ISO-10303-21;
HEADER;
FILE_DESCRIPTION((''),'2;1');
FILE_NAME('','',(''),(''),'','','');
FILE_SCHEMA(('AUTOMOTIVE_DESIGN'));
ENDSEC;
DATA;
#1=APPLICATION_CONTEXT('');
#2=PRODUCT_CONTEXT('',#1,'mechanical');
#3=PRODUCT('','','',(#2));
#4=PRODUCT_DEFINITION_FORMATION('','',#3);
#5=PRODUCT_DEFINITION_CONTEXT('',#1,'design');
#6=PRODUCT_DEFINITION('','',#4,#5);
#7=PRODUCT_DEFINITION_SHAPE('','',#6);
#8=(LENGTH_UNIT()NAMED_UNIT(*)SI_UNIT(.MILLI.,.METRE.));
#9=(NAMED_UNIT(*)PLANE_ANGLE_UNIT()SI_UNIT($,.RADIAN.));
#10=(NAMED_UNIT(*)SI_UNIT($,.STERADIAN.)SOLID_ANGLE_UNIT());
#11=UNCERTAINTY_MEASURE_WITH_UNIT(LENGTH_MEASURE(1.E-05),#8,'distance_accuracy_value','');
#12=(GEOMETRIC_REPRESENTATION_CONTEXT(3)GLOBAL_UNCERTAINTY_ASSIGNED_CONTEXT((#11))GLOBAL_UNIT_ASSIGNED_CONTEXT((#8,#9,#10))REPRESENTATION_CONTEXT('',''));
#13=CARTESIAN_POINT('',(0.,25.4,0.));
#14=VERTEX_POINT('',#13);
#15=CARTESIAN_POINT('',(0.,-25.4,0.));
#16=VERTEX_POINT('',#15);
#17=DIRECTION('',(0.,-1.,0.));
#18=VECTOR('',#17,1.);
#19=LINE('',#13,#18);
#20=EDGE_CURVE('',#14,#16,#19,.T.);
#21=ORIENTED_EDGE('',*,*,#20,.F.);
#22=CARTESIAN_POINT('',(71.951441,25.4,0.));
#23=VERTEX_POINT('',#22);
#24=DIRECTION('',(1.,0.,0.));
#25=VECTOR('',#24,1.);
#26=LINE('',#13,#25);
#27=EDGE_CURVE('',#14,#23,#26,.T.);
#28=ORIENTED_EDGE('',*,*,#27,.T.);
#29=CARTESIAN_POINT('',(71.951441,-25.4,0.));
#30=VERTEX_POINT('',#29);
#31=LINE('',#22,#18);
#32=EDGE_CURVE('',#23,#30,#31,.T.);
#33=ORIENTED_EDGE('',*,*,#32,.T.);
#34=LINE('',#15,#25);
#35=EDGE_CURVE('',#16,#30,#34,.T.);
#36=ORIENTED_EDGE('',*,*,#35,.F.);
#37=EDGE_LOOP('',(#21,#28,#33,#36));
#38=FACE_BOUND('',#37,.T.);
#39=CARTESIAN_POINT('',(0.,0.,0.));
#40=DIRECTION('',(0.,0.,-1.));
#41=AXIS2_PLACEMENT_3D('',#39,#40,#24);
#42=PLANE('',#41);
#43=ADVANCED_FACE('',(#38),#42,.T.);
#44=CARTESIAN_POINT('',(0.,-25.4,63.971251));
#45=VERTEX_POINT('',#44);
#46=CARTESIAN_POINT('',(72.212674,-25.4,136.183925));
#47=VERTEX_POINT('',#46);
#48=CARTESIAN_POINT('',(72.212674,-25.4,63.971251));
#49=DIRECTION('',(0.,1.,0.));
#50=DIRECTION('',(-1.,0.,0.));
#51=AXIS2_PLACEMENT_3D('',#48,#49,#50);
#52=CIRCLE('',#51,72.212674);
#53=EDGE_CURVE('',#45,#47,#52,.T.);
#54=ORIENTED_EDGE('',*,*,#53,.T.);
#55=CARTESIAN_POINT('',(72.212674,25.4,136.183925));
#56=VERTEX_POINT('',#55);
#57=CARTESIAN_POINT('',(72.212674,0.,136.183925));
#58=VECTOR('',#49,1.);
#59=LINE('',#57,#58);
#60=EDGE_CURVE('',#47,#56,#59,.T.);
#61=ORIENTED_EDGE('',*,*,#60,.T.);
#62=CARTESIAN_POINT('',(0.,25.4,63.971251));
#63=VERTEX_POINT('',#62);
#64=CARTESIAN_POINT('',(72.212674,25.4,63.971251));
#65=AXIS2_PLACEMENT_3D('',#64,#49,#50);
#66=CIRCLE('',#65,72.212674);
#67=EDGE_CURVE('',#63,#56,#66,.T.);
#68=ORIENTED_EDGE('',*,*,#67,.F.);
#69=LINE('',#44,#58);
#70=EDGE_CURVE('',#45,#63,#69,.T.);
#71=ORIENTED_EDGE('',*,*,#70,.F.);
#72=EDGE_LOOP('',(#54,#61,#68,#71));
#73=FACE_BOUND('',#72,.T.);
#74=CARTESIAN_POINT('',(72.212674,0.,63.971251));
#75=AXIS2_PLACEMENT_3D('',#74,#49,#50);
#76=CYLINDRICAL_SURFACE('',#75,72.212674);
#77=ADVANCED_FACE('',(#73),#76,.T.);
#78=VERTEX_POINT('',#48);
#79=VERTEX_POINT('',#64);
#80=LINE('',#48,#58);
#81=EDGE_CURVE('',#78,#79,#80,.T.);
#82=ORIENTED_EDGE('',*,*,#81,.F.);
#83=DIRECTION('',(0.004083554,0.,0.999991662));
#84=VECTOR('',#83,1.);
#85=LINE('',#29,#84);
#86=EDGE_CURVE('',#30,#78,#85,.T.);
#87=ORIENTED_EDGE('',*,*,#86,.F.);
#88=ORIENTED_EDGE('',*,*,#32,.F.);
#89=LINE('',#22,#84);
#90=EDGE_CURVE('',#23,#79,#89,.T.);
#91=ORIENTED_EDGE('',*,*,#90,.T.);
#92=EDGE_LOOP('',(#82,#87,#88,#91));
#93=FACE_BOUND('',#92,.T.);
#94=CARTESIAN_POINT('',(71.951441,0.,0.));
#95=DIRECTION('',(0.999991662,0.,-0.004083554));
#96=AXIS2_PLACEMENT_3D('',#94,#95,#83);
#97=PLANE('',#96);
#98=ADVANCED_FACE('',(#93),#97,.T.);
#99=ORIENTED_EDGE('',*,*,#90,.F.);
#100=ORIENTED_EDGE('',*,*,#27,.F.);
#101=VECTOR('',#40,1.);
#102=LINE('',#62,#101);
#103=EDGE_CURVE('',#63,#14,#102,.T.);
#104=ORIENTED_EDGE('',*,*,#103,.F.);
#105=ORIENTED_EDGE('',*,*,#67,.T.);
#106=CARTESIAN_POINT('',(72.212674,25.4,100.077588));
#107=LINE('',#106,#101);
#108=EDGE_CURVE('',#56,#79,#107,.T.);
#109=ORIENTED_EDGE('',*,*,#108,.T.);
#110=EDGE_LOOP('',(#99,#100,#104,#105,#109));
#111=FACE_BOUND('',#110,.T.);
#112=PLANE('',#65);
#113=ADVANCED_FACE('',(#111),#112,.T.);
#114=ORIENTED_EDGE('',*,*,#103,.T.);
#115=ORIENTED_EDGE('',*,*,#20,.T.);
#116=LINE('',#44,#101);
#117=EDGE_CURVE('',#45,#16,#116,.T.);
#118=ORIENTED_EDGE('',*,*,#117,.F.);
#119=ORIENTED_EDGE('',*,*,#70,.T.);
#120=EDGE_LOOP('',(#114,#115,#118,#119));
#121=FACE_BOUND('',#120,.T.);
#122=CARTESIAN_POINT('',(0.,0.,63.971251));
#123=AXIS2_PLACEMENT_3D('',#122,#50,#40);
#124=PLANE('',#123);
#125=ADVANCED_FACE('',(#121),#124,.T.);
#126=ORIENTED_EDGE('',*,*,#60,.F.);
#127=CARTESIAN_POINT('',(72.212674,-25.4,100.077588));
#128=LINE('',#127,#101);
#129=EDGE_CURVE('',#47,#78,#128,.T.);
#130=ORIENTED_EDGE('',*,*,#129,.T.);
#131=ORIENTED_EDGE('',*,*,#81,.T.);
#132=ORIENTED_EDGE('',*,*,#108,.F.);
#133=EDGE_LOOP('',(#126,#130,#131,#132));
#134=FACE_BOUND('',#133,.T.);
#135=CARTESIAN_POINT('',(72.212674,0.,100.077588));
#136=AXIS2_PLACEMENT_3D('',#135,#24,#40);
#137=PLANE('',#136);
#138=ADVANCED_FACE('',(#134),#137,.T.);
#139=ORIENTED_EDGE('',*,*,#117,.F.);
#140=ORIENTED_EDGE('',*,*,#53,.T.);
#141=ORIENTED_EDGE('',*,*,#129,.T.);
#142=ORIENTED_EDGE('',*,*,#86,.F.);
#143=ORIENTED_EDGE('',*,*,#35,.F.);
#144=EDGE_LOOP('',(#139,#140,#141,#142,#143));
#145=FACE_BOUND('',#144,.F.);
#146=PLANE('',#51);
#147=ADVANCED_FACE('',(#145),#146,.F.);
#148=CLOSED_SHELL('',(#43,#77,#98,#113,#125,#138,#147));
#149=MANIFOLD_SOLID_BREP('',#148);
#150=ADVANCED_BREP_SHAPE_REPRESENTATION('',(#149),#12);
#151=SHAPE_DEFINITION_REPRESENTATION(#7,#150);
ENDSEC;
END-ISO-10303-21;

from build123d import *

# Parameters (mm, degrees)
F1_DEPTH  = 25.4
F1_FACE_W = 72.2126737237
F1_FACE_H = 50.8
F2_ANGLE  = 90


with BuildPart() as f1:
    # F0 (on Front) → F1 (new body, symmetric)
    with BuildSketch(Plane.XZ):
        Polygon((0, 63.9712512493), (0, 0), (71.9514414668, 0), (72.2126737237, 63.9712512493), align=None)
    extrude(amount=F1_DEPTH, both=True)

    # F1_face (on face) → F2 (revolve)
    with BuildSketch(Plane(origin=(36.1063368618, 0, 63.9712512493), x_dir=(1, 0, 0), z_dir=(0, 0, 1))):
        Rectangle(F1_FACE_W, F1_FACE_H)
    revolve(axis=Axis((72.2126737237, 0, 63.9712512493), (0, 1, 0)), revolution_arc=F2_ANGLE)


solid = f1.part
